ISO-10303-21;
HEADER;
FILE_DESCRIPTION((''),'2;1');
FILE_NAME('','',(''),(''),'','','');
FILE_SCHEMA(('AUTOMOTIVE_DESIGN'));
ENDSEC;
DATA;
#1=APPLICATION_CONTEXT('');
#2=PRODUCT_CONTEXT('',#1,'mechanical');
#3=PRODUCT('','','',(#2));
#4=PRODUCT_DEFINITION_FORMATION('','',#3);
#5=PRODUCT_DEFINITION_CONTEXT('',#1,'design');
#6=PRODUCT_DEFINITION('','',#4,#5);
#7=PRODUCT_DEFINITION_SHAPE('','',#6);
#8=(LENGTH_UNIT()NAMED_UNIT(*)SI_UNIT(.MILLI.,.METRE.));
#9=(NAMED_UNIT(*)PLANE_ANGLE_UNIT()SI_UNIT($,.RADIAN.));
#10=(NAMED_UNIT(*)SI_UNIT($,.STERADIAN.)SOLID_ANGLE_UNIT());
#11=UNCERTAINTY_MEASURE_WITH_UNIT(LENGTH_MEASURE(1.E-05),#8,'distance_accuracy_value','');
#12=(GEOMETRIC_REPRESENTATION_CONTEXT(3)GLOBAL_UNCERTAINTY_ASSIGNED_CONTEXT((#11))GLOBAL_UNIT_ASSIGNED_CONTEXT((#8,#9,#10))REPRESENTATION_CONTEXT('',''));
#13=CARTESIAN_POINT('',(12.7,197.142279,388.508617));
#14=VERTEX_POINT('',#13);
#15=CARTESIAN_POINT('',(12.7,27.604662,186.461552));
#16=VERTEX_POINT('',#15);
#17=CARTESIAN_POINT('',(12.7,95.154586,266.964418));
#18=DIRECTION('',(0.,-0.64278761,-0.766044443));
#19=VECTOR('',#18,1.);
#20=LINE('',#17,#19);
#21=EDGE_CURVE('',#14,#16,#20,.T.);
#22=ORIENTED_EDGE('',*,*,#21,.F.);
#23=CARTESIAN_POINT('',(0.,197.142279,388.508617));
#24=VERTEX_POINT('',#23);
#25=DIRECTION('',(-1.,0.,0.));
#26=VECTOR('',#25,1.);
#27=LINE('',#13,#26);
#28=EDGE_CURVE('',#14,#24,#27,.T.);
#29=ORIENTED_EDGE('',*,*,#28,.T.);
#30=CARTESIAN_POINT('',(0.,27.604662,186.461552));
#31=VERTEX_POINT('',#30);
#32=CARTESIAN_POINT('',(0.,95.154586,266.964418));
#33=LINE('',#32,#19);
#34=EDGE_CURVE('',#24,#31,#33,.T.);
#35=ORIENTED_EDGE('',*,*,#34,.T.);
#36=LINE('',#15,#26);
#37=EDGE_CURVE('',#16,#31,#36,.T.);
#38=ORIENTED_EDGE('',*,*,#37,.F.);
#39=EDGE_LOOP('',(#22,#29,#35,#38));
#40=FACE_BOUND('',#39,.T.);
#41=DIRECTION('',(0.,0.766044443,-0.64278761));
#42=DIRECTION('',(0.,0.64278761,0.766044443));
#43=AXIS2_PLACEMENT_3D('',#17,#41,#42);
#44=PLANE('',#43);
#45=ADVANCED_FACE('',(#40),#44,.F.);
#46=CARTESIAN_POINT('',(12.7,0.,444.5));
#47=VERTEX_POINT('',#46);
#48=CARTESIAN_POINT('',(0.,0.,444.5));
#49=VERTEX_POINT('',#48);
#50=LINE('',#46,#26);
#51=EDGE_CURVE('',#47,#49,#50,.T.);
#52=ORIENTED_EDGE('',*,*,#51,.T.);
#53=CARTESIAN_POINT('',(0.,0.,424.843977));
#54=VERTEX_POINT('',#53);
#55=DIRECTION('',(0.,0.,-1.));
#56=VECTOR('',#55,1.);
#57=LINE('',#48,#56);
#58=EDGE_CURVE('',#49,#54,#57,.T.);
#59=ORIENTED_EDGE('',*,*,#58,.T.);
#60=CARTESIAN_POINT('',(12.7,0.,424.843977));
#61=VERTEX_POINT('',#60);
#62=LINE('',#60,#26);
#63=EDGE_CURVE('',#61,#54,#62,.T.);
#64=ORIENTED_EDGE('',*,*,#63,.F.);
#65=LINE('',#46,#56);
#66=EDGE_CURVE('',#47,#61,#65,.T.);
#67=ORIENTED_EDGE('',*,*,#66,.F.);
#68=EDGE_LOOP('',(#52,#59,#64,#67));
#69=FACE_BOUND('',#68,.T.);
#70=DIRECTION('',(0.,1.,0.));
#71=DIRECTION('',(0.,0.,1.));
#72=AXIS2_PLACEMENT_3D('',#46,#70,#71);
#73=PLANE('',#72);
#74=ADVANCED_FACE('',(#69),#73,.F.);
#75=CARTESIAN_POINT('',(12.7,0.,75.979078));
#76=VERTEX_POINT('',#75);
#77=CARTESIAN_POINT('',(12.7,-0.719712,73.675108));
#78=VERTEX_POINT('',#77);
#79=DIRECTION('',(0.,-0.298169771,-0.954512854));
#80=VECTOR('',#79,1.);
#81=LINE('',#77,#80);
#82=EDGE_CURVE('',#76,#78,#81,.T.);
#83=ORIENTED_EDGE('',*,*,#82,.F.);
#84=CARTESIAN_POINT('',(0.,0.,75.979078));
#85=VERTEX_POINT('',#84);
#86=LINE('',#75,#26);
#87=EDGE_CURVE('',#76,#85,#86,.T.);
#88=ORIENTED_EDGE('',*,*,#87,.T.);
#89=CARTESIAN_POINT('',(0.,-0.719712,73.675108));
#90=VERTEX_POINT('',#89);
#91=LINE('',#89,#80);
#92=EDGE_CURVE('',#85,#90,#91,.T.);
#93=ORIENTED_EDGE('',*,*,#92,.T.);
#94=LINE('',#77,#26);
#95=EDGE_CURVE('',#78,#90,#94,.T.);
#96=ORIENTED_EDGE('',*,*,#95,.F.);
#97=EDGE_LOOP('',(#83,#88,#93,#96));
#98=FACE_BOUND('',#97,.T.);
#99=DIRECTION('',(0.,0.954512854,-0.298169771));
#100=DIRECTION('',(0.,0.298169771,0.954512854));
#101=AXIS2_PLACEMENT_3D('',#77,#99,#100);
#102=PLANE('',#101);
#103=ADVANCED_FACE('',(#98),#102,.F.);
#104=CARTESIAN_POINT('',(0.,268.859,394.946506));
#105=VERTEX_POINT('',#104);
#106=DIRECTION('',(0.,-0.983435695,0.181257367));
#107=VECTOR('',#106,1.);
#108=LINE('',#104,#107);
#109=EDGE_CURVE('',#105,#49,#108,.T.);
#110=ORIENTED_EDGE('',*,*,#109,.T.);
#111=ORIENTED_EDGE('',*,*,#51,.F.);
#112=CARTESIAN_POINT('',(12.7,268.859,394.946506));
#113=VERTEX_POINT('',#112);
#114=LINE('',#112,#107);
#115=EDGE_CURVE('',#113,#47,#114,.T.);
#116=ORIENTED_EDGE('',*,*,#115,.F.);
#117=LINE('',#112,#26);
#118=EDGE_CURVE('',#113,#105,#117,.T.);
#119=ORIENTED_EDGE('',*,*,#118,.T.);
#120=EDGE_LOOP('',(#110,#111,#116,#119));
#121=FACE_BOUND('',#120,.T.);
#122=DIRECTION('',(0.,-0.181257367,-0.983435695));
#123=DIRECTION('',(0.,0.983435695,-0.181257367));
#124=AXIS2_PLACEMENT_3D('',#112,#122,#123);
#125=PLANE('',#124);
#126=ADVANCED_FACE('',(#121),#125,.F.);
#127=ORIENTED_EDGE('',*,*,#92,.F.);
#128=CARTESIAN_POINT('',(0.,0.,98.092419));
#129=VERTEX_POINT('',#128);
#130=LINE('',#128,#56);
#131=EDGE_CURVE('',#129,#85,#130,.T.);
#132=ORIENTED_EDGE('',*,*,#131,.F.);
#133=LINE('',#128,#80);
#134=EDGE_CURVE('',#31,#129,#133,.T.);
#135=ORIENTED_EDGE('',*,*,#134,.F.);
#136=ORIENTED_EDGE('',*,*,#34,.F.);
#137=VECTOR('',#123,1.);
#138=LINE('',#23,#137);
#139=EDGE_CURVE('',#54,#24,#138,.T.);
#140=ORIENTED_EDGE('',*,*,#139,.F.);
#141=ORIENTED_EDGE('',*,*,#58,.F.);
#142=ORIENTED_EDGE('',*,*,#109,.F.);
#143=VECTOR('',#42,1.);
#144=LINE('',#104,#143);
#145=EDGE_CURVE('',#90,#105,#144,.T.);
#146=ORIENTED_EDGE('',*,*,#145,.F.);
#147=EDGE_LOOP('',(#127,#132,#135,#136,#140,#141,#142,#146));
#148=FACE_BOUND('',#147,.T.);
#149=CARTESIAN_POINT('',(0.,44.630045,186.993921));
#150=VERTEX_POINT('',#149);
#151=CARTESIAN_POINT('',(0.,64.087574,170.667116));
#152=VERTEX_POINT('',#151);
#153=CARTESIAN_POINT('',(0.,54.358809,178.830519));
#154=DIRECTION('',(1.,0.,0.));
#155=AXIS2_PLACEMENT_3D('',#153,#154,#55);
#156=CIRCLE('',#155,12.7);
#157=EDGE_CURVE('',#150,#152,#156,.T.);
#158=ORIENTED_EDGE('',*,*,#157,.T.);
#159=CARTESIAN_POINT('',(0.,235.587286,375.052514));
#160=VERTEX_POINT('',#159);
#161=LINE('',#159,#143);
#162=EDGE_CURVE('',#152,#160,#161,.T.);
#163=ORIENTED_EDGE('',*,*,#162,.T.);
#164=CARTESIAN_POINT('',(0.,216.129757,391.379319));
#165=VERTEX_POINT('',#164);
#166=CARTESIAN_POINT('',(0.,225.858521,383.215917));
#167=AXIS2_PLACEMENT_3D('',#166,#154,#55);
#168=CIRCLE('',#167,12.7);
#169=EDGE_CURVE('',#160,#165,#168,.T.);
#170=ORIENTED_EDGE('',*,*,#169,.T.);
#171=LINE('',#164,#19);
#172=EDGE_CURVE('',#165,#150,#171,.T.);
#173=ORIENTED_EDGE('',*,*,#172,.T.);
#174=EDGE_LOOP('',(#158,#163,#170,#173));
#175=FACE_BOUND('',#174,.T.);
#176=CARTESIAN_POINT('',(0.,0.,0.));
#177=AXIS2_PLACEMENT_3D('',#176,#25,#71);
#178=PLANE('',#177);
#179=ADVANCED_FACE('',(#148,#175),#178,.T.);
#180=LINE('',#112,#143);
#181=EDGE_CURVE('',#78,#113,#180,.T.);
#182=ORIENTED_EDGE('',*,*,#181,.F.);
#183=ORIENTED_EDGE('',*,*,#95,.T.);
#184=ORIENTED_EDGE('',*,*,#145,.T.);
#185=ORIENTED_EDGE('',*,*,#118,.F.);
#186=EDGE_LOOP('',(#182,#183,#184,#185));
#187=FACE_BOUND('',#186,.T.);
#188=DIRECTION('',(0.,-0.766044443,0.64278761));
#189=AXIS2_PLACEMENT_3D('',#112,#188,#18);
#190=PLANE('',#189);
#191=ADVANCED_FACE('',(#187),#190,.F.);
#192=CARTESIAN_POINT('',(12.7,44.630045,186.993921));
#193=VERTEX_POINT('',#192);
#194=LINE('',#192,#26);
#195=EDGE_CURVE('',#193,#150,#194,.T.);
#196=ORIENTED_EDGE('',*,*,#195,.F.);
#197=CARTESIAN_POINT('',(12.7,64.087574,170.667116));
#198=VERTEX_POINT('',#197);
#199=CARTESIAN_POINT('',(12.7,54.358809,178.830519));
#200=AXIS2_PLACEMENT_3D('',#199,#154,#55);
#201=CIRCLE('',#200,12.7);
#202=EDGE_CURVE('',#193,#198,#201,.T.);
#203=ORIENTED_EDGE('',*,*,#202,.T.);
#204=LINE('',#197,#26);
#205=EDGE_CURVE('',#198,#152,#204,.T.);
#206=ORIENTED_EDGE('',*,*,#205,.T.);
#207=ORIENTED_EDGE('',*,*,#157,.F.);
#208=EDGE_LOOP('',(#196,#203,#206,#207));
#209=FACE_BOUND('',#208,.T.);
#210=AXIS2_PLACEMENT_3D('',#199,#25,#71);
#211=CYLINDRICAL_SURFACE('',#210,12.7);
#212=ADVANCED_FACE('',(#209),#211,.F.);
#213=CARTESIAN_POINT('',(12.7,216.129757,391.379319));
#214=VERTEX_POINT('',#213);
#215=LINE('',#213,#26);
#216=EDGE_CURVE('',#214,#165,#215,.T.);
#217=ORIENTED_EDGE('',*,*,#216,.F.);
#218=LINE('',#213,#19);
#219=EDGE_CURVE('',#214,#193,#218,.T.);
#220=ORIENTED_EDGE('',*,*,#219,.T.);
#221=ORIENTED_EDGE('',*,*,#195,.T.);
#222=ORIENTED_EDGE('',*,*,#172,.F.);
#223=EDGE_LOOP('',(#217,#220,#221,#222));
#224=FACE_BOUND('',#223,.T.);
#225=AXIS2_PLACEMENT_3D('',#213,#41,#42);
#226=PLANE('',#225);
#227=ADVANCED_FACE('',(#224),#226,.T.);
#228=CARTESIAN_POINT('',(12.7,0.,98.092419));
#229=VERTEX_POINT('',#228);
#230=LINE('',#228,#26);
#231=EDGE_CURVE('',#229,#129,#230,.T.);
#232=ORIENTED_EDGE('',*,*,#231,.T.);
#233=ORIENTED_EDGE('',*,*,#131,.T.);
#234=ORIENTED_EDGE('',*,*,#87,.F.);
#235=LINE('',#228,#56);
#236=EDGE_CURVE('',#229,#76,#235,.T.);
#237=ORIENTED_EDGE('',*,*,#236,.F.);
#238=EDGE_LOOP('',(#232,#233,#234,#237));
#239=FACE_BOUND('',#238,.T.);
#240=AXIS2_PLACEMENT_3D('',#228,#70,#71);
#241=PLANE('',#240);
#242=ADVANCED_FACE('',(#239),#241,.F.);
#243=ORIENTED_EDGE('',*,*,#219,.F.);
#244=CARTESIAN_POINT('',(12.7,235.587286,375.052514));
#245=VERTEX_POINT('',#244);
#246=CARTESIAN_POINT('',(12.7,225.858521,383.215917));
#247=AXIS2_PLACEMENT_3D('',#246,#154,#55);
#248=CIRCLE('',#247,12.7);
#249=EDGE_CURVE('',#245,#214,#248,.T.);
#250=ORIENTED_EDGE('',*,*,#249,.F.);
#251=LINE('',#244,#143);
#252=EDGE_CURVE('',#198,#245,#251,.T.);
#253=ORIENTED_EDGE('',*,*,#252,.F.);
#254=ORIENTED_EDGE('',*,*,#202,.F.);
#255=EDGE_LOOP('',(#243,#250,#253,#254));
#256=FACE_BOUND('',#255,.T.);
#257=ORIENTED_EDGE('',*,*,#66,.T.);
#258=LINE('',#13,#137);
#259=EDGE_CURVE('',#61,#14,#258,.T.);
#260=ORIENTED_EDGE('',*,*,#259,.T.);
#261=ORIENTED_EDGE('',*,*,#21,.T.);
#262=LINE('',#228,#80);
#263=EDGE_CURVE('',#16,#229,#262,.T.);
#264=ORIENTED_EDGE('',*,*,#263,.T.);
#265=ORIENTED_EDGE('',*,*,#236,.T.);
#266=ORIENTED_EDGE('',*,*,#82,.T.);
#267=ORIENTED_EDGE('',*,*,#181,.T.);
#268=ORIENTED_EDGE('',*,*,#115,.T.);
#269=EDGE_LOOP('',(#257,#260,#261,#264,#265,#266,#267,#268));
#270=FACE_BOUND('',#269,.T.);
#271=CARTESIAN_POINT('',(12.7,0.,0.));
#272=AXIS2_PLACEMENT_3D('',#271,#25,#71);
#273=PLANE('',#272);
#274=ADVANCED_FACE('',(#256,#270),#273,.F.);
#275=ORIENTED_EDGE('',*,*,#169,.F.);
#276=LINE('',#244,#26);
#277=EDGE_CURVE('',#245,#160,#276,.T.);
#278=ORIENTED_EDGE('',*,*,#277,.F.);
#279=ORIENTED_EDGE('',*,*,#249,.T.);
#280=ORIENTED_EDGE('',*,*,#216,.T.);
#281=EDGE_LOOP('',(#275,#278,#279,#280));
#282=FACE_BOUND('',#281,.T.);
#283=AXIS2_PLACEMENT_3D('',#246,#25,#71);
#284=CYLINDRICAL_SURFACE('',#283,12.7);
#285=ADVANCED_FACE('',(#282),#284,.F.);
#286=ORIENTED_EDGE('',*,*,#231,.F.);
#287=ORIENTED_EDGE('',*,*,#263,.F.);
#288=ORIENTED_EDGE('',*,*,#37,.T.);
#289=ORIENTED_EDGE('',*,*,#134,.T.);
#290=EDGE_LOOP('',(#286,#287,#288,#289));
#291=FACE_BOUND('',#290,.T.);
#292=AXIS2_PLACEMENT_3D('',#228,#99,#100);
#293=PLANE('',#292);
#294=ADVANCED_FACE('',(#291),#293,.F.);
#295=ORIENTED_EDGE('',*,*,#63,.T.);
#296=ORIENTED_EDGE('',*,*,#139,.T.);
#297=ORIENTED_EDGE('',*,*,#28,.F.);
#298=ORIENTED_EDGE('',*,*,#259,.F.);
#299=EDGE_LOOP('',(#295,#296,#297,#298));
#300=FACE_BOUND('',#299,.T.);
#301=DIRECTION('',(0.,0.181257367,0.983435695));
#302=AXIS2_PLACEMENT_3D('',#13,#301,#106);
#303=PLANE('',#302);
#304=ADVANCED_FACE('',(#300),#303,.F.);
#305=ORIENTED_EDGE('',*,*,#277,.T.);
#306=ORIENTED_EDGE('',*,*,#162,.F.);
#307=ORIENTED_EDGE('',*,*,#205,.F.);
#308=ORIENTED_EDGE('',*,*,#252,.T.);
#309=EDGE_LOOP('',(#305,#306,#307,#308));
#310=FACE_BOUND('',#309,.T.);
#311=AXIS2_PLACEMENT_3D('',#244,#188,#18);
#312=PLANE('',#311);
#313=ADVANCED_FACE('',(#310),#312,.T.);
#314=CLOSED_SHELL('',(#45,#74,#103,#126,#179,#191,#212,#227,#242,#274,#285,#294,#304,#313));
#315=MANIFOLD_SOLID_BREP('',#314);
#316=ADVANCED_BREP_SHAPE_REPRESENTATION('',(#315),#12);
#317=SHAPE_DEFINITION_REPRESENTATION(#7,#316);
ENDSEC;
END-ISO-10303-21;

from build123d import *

# Parameters (mm, degrees)
BOSS_EXTRUDE1_DEPTH = 12.7


with BuildPart() as part:
    # Sketch1 → Boss-Extrude1 (new body)
    with BuildSketch(Plane(origin=(0, 0, 0), x_dir=(0, 0, -1), z_dir=(1, 0, 0))):
        Polygon((-394.946506416, 268.859), (-444.5, 0), (-424.843977237, 0), (-388.508616862, 197.142278951), (-266.964417858, 95.154586396), (-186.461552382, 27.604661666), (-98.092418556, 0), (-75.979077973, 0), (-73.675108156, -0.719711788), align=None)
        with BuildLine():
            Line((-375.052513862, 235.58728561), (-170.667115901, 64.087573564))
            ThreePointArc((-170.667115901, 64.087573564), (-169.101754117, 46.195406493), (-186.993921187, 44.630044709))
            Line((-186.993921187, 44.630044709), (-391.379319148, 216.129756755))
            ThreePointArc((-391.379319148, 216.129756755), (-392.944680933, 234.021923826), (-375.052513862, 235.58728561))
        make_face(mode=Mode.SUBTRACT)
    extrude(amount=BOSS_EXTRUDE1_DEPTH)


solid = part.part
